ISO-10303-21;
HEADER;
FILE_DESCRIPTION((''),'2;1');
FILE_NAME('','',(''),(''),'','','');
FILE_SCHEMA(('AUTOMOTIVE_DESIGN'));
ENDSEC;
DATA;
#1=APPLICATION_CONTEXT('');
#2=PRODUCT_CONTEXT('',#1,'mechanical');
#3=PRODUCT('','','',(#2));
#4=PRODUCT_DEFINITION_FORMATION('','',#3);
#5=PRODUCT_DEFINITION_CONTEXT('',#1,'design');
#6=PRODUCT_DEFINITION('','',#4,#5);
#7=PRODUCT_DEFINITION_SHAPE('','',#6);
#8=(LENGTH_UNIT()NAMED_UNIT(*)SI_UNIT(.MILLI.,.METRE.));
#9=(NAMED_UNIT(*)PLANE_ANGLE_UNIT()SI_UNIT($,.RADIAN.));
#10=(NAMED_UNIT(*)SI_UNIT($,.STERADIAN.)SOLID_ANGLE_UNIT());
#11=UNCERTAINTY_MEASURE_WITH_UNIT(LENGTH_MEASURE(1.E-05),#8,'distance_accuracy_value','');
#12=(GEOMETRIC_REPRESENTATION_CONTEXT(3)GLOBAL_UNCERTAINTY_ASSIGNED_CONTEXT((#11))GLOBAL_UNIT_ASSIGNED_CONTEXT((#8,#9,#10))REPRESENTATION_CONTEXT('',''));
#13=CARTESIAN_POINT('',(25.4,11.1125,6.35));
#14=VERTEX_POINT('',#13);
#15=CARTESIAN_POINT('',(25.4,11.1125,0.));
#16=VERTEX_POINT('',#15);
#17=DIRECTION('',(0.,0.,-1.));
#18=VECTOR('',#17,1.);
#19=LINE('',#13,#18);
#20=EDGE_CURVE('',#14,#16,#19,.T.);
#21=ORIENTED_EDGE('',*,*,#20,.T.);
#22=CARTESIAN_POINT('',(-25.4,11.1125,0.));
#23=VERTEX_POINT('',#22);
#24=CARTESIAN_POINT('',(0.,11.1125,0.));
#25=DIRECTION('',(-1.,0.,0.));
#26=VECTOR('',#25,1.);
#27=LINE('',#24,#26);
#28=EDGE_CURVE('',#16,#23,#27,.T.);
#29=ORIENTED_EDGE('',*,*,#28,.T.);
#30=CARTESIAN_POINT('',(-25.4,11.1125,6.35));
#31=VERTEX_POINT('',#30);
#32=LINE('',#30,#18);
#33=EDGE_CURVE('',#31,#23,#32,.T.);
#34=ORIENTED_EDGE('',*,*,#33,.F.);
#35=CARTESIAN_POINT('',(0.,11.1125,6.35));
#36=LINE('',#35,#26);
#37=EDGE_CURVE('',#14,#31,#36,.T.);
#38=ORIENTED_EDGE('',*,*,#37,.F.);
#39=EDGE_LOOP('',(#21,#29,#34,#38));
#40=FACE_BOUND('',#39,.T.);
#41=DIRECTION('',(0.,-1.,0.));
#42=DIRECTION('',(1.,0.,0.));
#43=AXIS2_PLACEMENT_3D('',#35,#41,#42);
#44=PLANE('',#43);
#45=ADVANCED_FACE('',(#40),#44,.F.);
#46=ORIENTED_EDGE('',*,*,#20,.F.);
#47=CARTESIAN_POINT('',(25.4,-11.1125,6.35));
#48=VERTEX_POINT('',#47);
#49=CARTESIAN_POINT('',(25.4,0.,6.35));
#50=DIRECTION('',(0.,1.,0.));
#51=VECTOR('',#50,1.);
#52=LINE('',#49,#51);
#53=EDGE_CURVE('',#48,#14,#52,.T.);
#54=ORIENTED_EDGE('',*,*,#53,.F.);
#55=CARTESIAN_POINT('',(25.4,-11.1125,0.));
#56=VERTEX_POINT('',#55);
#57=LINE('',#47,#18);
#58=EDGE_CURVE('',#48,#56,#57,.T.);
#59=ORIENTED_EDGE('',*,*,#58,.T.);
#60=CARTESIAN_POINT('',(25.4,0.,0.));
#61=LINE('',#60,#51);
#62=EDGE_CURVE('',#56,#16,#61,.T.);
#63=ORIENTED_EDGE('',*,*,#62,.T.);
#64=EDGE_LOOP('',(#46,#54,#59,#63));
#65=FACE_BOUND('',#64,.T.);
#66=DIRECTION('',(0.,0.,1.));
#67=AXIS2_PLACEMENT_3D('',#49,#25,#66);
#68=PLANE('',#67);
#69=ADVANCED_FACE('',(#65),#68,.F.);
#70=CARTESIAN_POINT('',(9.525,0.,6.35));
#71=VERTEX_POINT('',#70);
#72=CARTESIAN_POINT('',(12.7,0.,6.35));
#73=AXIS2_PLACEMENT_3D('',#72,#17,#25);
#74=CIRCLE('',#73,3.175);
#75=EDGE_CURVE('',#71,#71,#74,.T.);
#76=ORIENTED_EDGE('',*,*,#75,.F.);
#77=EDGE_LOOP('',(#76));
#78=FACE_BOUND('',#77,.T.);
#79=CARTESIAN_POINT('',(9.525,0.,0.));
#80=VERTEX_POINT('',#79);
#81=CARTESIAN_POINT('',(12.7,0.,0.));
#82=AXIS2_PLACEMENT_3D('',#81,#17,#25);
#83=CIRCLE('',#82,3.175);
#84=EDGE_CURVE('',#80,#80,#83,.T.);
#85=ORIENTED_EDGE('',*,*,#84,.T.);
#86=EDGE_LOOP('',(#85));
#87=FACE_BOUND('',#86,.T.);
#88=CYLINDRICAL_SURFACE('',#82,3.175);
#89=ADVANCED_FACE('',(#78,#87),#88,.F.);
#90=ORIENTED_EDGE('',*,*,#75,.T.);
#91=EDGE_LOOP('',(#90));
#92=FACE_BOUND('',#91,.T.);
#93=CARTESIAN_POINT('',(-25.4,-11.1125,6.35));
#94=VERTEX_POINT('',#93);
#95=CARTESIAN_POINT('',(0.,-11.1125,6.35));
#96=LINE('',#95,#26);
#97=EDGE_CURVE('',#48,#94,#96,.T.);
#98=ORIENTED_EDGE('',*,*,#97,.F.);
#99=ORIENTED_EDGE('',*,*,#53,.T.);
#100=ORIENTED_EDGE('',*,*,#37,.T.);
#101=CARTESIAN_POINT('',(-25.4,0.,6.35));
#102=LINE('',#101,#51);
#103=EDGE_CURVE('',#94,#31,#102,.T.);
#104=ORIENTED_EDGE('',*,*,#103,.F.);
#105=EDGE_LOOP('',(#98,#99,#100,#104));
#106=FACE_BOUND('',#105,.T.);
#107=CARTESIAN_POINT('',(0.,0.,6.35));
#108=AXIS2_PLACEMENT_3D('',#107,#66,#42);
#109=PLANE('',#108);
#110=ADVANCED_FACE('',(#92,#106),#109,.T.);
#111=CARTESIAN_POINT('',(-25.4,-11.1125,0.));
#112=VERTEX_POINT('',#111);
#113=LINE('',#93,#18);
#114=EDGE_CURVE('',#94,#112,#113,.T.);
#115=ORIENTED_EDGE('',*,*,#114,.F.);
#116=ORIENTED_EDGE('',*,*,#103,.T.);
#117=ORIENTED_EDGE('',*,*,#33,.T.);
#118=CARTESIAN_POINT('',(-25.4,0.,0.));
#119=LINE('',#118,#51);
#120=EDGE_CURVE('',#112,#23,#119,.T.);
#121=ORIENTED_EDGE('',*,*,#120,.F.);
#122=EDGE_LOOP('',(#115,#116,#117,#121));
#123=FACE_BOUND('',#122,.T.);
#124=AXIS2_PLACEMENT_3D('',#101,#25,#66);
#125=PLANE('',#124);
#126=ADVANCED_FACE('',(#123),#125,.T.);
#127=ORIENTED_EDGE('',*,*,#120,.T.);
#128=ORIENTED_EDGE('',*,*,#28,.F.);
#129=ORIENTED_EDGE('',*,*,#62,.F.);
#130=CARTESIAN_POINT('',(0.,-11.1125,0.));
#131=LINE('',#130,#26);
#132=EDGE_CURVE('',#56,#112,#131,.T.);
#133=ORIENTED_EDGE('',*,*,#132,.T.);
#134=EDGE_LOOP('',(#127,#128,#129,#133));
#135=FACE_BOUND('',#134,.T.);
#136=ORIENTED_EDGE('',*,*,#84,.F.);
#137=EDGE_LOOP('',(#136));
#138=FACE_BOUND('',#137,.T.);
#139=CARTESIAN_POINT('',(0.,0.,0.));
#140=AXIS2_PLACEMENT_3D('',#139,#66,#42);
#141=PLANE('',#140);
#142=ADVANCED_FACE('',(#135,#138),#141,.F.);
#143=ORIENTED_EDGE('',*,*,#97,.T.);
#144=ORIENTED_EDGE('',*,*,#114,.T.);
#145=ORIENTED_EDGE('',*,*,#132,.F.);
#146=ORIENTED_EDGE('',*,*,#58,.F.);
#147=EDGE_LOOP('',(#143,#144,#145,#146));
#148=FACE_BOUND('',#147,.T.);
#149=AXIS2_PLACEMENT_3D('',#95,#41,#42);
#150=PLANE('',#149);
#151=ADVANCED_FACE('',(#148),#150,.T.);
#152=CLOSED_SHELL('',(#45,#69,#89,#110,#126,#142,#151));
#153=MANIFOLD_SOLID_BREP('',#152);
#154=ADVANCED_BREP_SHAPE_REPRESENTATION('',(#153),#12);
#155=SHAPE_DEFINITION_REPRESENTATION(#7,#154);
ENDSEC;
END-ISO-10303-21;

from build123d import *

# Parameters (mm, degrees)
SKETCH1_R                   = 2.540797377
SKETCH1_W                   = 50.8
SKETCH1_H                   = 22.225
BOSS_EXTRUDE1_DEPTH         = 6.35
F_1_4_0_25_DIAMETER_HOLE1_D = 6.35


with BuildPart() as part:
    # Sketch1 → Boss-Extrude1 (new body)
    with BuildSketch(Plane.XY):
        with Locations((12.7, 0)):
            Circle(SKETCH1_R)
        Rectangle(SKETCH1_W, SKETCH1_H)
        with Locations((12.7, 0)):
            Circle(SKETCH1_R, mode=Mode.SUBTRACT)
    extrude(amount=BOSS_EXTRUDE1_DEPTH)

    # 1/4 (0.25) Diameter Hole1 (through all)
    with Locations(Plane(origin=(0, 0, 0), x_dir=(-1, 0, 0), z_dir=(0, 0, -1))):
        with Locations((-12.7, 0)):
            Hole(F_1_4_0_25_DIAMETER_HOLE1_D / 2)


solid = part.part
